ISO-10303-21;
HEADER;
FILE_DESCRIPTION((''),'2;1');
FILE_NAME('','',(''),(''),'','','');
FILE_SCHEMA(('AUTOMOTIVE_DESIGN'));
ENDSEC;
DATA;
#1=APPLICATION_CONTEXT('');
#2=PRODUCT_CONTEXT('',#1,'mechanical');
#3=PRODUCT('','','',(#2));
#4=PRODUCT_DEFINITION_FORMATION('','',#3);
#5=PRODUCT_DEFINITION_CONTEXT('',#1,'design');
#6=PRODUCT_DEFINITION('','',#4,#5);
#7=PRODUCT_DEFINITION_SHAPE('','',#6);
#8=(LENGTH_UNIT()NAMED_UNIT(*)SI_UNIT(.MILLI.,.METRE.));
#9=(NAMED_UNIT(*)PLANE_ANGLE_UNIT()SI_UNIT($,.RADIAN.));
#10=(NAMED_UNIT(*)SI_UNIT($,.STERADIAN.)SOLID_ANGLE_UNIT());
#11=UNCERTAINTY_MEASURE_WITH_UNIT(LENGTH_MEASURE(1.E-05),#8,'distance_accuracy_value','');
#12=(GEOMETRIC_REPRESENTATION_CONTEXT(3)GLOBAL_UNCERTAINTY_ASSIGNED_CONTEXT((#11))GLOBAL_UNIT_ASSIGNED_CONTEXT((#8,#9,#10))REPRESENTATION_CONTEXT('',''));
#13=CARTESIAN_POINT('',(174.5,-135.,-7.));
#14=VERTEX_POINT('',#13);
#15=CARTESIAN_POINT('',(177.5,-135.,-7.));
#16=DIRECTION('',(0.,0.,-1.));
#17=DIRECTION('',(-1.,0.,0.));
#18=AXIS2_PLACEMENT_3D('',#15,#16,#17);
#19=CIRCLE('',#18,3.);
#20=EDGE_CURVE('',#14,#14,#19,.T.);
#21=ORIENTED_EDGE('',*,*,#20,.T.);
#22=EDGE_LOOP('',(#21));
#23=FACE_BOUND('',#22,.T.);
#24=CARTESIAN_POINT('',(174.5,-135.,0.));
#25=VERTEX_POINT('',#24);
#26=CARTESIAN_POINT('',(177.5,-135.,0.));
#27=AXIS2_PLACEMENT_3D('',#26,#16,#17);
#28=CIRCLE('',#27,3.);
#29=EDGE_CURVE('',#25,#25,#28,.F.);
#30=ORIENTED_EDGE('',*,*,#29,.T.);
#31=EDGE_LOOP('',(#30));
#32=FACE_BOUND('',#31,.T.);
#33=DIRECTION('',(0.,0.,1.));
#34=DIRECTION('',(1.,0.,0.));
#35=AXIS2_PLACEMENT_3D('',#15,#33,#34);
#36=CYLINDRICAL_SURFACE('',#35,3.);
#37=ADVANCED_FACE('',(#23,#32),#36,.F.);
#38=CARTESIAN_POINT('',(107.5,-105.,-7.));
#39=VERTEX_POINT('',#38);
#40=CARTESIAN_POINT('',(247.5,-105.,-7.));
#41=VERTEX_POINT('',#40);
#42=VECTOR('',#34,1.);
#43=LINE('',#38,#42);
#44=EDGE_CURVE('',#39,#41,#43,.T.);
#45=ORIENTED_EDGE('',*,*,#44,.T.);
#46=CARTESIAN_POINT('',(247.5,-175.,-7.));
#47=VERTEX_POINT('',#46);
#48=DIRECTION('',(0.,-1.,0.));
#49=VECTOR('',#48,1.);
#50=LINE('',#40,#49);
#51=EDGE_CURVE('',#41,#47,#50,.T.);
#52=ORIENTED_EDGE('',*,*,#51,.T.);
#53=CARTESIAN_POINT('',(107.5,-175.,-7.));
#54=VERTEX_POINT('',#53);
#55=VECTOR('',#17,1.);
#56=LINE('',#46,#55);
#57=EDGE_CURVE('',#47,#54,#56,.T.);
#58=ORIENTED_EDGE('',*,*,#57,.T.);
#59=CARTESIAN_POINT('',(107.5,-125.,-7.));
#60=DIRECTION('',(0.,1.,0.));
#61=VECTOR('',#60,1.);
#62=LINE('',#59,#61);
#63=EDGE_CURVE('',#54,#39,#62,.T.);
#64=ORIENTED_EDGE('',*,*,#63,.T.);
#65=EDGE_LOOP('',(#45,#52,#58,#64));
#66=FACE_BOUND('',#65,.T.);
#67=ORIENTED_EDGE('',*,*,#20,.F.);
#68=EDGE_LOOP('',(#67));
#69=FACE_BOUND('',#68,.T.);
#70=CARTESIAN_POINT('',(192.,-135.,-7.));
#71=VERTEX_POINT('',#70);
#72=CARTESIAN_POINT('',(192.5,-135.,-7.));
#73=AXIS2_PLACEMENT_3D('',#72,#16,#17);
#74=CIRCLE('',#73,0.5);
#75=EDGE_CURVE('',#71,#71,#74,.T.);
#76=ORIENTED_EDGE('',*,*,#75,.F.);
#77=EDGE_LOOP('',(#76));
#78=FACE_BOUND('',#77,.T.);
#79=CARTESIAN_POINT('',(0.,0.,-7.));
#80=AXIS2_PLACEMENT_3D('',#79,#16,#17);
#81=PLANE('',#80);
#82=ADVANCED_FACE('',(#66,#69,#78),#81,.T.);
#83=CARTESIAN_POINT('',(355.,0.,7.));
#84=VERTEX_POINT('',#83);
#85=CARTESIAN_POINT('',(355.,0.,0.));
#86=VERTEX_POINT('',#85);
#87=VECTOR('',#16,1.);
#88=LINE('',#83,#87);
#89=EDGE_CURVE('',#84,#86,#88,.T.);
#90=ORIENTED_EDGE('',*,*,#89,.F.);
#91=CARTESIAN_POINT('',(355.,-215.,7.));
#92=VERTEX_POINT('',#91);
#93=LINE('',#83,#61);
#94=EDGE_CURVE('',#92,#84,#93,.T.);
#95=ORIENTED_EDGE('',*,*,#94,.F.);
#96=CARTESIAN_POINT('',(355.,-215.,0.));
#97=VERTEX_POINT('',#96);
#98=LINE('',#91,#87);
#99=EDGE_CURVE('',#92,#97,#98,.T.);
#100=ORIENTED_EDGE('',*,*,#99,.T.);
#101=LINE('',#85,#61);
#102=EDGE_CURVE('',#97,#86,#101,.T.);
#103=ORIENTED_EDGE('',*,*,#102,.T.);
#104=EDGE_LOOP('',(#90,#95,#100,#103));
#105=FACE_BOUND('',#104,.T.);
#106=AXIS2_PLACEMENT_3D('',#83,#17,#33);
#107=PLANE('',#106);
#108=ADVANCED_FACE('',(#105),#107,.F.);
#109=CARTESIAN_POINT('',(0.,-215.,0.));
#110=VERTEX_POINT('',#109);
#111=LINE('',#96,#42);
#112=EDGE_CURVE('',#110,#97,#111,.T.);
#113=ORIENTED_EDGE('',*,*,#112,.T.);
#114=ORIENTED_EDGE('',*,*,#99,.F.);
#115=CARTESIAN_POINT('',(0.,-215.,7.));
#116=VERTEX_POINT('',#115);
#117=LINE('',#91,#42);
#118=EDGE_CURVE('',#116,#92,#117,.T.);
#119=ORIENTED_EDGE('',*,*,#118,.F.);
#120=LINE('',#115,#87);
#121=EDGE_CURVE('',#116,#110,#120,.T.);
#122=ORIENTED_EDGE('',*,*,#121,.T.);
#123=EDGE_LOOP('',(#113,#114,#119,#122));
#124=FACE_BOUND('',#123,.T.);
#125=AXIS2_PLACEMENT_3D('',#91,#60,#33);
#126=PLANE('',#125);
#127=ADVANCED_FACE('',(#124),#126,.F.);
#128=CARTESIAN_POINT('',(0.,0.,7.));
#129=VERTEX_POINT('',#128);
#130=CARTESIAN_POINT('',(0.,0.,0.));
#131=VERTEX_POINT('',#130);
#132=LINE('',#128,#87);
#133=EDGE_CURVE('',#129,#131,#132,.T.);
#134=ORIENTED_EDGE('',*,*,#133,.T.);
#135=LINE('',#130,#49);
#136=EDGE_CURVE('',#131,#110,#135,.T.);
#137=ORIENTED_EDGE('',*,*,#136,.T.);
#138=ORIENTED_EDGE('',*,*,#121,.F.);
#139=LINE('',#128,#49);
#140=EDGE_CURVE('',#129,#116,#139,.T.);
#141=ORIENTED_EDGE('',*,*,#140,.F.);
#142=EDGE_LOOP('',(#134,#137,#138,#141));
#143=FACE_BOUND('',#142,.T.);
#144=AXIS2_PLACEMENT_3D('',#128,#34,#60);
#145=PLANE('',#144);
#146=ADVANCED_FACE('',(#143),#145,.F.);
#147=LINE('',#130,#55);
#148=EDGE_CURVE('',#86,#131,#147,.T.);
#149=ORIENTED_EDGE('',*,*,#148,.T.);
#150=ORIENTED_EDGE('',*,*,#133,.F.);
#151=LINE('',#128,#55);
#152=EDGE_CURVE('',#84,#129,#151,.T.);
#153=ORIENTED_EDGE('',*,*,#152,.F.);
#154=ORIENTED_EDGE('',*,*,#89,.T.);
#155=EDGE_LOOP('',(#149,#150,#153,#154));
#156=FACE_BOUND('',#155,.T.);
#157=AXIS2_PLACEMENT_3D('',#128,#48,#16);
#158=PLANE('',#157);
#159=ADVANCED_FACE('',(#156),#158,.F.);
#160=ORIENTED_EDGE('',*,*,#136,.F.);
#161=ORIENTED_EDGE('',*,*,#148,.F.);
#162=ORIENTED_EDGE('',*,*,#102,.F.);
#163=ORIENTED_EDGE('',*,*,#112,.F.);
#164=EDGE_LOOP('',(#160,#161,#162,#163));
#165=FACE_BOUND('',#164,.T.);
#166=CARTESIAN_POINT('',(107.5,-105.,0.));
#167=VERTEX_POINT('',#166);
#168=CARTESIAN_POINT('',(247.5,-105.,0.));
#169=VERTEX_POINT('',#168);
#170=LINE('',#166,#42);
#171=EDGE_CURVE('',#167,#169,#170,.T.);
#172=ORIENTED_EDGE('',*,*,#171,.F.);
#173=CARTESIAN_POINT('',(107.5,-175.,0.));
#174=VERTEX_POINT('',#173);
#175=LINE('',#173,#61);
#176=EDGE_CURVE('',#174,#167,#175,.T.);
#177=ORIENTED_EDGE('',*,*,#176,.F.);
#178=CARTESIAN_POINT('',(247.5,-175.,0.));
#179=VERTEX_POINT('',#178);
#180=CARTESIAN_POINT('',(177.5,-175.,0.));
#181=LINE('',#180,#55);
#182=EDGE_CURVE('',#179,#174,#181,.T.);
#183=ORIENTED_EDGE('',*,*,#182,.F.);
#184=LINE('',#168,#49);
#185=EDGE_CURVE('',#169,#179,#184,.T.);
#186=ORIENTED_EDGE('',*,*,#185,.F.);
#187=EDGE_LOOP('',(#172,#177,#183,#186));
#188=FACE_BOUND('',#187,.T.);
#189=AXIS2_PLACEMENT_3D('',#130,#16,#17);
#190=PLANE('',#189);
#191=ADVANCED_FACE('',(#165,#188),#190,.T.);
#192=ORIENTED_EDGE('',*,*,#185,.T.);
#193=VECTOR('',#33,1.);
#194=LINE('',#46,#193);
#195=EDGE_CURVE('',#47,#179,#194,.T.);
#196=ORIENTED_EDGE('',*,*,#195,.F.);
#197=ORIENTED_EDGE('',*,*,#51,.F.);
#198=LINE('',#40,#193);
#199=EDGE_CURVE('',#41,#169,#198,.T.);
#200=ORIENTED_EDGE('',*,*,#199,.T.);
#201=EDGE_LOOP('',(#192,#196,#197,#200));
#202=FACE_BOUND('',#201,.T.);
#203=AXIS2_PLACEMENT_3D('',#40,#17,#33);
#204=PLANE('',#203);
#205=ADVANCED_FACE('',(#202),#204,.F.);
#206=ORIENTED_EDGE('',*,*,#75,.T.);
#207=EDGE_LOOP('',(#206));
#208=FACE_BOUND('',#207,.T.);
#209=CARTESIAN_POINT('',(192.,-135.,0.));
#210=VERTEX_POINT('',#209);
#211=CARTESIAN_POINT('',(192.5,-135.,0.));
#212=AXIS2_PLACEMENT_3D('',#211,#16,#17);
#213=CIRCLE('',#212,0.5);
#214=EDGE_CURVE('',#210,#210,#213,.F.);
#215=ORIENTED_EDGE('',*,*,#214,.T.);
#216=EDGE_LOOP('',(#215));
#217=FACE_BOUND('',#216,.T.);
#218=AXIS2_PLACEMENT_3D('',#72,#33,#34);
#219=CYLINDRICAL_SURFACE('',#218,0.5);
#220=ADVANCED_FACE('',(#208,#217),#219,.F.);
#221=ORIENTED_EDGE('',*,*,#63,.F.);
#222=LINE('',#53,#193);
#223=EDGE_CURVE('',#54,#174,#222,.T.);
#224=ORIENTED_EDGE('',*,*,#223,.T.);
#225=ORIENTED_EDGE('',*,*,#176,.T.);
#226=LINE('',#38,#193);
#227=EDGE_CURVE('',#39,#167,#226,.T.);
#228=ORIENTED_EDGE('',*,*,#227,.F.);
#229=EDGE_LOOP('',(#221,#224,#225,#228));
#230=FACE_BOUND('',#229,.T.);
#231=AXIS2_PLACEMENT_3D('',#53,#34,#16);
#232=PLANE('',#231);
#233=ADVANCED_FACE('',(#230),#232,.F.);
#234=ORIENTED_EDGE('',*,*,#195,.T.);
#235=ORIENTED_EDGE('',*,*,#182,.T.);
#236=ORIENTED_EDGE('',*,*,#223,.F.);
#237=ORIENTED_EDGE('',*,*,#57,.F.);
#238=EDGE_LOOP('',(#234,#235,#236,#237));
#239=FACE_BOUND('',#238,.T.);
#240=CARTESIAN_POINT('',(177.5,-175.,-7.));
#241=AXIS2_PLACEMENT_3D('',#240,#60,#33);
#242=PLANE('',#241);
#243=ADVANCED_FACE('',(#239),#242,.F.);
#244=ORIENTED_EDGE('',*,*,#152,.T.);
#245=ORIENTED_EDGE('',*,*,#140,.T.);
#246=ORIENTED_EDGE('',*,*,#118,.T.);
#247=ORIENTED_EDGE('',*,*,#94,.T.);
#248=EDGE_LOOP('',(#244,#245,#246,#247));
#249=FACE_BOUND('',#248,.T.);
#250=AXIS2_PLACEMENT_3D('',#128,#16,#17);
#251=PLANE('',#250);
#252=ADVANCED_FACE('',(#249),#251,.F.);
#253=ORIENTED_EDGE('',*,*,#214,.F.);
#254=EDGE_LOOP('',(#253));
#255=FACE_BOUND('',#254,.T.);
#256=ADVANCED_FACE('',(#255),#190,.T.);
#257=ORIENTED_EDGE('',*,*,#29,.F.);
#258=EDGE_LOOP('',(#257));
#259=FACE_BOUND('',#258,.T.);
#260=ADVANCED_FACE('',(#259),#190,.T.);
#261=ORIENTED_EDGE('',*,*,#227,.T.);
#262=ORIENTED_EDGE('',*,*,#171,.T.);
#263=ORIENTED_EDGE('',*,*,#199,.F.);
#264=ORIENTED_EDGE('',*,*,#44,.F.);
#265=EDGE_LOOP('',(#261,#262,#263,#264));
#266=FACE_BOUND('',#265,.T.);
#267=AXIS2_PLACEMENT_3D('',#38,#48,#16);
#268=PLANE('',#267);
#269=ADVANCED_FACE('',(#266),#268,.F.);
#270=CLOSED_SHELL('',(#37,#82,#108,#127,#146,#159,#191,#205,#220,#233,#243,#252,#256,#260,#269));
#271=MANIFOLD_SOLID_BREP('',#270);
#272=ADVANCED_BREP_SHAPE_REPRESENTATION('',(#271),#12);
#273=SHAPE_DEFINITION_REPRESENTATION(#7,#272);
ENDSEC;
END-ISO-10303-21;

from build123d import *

# Parameters (mm, degrees)
SKETCH_1_W      = 355
SKETCH_1_H      = 215
EXTRUDE_1_DEPTH = 7
SKETCH_2_R      = 3
SKETCH_2_R_2    = 0.5
EXTRUDE_2_DEPTH = 7


with BuildPart() as part:
    # 草图1 → 凸台-拉伸1 (new body)
    with BuildSketch(Plane.XY):
        with Locations((177.5, -107.5)):
            Rectangle(SKETCH_1_W, SKETCH_1_H)
    extrude(amount=EXTRUDE_1_DEPTH)

    # 草图2 → 凸台-拉伸2 (add)
    with BuildSketch(Plane(origin=(0, 0, 0), x_dir=(-1, 0, 0), z_dir=(0, 0, -1))):
        Polygon((-177.5, -175), (-107.5, -175), (-107.5, -125), (-107.5, -105), (-247.5, -105), (-247.5, -175), align=None)
        with Locations((-177.5, -135)):
            Circle(SKETCH_2_R, mode=Mode.SUBTRACT)
        with Locations((-192.5, -135)):
            Circle(SKETCH_2_R_2, mode=Mode.SUBTRACT)
    extrude(amount=EXTRUDE_2_DEPTH)


solid = part.part
